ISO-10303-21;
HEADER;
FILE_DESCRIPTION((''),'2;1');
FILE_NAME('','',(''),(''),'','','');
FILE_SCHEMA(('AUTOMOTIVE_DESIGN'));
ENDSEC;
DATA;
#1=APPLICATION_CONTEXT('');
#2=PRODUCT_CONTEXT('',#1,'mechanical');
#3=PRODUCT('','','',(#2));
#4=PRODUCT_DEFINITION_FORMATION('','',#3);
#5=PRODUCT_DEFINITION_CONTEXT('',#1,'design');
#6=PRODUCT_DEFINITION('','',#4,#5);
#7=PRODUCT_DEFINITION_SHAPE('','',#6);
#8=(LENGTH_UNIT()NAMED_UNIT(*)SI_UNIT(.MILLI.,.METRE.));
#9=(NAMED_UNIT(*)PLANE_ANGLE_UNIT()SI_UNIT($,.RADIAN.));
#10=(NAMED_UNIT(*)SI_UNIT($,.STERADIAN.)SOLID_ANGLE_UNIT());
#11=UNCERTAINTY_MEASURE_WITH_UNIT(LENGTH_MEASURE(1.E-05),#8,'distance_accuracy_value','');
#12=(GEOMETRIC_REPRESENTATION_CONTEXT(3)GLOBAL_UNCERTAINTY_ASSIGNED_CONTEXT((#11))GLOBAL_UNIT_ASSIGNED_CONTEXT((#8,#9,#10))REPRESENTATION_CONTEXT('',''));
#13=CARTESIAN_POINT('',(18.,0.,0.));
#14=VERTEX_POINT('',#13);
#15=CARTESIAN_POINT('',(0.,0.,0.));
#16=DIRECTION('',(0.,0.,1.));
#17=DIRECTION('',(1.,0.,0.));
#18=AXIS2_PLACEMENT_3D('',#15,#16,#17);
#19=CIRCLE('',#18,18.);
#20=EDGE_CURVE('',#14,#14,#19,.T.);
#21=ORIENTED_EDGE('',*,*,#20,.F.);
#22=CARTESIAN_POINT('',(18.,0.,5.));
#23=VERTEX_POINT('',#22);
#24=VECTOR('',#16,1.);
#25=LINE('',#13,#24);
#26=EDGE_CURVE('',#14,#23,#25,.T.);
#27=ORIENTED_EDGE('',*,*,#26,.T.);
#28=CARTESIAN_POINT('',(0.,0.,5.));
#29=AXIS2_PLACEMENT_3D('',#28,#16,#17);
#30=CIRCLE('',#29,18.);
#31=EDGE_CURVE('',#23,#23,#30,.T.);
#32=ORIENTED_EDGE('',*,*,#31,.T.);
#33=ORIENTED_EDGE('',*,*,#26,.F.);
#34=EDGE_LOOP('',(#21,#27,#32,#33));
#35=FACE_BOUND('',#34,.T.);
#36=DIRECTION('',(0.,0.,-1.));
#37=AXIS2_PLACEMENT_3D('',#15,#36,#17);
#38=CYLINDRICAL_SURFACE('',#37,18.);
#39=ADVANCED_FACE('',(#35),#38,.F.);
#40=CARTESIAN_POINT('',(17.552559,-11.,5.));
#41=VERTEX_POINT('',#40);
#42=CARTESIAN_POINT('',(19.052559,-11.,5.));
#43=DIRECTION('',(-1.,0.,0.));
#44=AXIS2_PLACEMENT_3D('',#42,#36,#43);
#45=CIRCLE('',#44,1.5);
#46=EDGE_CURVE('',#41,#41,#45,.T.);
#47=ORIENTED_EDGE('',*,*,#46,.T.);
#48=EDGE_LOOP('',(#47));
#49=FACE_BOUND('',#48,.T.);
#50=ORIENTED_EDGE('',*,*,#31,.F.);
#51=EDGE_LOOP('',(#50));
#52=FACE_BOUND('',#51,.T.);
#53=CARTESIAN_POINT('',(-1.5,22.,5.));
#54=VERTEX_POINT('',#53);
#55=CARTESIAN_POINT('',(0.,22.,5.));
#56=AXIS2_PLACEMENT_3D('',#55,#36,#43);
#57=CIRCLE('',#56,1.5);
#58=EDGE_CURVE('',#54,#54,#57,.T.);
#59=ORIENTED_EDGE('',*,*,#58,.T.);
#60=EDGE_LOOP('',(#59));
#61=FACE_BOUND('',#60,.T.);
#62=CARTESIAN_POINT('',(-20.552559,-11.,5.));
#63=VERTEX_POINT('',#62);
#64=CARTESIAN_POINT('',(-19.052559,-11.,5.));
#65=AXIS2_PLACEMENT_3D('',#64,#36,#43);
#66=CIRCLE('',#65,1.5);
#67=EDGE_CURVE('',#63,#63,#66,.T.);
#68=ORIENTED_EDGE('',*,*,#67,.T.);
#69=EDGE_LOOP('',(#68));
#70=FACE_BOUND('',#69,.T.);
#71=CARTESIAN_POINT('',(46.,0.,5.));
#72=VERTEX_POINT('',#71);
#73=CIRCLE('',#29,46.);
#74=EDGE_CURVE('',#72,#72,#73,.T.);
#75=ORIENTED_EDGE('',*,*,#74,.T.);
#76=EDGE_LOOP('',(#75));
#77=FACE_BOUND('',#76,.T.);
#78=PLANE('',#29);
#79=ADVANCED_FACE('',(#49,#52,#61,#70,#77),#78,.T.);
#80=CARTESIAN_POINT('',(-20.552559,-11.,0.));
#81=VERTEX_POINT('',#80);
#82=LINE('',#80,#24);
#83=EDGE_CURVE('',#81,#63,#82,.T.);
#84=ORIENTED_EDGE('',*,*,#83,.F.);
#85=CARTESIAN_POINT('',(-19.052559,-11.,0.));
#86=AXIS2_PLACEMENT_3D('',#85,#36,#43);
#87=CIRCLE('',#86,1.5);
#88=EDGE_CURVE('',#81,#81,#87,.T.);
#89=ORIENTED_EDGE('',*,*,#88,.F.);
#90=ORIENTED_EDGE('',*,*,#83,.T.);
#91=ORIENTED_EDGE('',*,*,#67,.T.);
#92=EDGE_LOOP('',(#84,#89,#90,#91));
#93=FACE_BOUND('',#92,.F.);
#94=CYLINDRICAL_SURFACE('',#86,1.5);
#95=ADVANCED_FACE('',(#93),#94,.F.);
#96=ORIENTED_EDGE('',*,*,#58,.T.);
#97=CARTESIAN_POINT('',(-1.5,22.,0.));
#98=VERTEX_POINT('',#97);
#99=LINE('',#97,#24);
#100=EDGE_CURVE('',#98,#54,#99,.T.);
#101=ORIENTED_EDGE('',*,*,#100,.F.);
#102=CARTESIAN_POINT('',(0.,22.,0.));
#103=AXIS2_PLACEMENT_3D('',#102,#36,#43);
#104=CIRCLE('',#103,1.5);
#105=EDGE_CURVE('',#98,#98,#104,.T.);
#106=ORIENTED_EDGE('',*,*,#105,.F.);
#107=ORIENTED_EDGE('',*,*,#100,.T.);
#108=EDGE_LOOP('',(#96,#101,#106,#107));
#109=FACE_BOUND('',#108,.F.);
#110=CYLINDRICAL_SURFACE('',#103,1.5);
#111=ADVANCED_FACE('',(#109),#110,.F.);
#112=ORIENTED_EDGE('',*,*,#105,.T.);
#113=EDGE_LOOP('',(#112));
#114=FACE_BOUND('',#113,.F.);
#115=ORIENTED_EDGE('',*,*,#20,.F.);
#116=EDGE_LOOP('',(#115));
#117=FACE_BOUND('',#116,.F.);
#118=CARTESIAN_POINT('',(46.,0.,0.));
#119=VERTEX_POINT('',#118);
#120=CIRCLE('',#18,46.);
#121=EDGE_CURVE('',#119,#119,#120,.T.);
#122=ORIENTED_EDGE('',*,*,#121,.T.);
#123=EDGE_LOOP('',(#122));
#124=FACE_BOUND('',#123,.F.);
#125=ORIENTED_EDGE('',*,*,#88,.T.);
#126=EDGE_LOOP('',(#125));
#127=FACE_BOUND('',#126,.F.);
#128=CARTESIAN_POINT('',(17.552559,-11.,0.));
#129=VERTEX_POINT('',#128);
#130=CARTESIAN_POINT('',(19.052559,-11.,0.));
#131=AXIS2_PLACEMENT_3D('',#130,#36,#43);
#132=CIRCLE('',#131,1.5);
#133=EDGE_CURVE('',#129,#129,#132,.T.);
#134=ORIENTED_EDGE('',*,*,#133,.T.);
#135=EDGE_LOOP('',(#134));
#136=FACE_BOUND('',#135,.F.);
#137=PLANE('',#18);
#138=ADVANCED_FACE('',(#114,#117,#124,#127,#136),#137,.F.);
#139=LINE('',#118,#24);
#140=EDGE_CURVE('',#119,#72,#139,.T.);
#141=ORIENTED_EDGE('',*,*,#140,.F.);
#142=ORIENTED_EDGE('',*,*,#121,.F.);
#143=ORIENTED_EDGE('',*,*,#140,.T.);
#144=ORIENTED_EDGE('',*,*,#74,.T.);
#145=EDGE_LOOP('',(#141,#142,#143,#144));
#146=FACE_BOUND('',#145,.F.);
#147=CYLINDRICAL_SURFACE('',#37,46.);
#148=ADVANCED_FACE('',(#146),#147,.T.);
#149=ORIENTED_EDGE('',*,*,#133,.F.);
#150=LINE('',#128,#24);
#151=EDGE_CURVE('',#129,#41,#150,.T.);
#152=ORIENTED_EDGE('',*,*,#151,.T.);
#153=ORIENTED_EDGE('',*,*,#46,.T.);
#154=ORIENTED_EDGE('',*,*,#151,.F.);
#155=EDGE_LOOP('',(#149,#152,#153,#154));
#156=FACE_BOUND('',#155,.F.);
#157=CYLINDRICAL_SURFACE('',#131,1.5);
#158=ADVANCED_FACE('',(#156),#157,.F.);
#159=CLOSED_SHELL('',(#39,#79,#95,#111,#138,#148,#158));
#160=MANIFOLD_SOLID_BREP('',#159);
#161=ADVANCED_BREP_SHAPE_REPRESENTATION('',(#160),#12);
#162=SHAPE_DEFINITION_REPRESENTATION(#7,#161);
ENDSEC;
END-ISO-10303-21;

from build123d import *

# Parameters (mm, degrees)
SKETCH2_R               = 46
SKETCH2_R_2             = 18
BOSS_EXTRUDE2_DEPTH     = 5
SKETCH5_R               = 1.5
CUT_EXTRUDE1_DEPTH      = 1
CUT_EXTRUDE1_DEPTH_BACK = 6


with BuildPart() as part:
    # Sketch2 → Boss-Extrude2 (new body)
    with BuildSketch(Plane.XY):
        Circle(SKETCH2_R)
        Circle(SKETCH2_R_2, mode=Mode.SUBTRACT)
    extrude(amount=BOSS_EXTRUDE2_DEPTH)

    # Sketch5 → Cut-Extrude1 (cut, two sides)
    with BuildSketch(Plane(origin=(0, 0, 0), x_dir=(-1, 0, 0), z_dir=(0, 0, -1))) as cut_extrude1_sk:
        with Locations((0, 22)):
            Circle(SKETCH5_R)
        with Locations((19.052558883, -11)):
            Circle(SKETCH5_R)
        with Locations((-19.052558883, -11)):
            Circle(SKETCH5_R)
    extrude(amount=CUT_EXTRUDE1_DEPTH, mode=Mode.SUBTRACT)
    extrude(cut_extrude1_sk.sketch, amount=-CUT_EXTRUDE1_DEPTH_BACK, mode=Mode.SUBTRACT)


solid = part.part
